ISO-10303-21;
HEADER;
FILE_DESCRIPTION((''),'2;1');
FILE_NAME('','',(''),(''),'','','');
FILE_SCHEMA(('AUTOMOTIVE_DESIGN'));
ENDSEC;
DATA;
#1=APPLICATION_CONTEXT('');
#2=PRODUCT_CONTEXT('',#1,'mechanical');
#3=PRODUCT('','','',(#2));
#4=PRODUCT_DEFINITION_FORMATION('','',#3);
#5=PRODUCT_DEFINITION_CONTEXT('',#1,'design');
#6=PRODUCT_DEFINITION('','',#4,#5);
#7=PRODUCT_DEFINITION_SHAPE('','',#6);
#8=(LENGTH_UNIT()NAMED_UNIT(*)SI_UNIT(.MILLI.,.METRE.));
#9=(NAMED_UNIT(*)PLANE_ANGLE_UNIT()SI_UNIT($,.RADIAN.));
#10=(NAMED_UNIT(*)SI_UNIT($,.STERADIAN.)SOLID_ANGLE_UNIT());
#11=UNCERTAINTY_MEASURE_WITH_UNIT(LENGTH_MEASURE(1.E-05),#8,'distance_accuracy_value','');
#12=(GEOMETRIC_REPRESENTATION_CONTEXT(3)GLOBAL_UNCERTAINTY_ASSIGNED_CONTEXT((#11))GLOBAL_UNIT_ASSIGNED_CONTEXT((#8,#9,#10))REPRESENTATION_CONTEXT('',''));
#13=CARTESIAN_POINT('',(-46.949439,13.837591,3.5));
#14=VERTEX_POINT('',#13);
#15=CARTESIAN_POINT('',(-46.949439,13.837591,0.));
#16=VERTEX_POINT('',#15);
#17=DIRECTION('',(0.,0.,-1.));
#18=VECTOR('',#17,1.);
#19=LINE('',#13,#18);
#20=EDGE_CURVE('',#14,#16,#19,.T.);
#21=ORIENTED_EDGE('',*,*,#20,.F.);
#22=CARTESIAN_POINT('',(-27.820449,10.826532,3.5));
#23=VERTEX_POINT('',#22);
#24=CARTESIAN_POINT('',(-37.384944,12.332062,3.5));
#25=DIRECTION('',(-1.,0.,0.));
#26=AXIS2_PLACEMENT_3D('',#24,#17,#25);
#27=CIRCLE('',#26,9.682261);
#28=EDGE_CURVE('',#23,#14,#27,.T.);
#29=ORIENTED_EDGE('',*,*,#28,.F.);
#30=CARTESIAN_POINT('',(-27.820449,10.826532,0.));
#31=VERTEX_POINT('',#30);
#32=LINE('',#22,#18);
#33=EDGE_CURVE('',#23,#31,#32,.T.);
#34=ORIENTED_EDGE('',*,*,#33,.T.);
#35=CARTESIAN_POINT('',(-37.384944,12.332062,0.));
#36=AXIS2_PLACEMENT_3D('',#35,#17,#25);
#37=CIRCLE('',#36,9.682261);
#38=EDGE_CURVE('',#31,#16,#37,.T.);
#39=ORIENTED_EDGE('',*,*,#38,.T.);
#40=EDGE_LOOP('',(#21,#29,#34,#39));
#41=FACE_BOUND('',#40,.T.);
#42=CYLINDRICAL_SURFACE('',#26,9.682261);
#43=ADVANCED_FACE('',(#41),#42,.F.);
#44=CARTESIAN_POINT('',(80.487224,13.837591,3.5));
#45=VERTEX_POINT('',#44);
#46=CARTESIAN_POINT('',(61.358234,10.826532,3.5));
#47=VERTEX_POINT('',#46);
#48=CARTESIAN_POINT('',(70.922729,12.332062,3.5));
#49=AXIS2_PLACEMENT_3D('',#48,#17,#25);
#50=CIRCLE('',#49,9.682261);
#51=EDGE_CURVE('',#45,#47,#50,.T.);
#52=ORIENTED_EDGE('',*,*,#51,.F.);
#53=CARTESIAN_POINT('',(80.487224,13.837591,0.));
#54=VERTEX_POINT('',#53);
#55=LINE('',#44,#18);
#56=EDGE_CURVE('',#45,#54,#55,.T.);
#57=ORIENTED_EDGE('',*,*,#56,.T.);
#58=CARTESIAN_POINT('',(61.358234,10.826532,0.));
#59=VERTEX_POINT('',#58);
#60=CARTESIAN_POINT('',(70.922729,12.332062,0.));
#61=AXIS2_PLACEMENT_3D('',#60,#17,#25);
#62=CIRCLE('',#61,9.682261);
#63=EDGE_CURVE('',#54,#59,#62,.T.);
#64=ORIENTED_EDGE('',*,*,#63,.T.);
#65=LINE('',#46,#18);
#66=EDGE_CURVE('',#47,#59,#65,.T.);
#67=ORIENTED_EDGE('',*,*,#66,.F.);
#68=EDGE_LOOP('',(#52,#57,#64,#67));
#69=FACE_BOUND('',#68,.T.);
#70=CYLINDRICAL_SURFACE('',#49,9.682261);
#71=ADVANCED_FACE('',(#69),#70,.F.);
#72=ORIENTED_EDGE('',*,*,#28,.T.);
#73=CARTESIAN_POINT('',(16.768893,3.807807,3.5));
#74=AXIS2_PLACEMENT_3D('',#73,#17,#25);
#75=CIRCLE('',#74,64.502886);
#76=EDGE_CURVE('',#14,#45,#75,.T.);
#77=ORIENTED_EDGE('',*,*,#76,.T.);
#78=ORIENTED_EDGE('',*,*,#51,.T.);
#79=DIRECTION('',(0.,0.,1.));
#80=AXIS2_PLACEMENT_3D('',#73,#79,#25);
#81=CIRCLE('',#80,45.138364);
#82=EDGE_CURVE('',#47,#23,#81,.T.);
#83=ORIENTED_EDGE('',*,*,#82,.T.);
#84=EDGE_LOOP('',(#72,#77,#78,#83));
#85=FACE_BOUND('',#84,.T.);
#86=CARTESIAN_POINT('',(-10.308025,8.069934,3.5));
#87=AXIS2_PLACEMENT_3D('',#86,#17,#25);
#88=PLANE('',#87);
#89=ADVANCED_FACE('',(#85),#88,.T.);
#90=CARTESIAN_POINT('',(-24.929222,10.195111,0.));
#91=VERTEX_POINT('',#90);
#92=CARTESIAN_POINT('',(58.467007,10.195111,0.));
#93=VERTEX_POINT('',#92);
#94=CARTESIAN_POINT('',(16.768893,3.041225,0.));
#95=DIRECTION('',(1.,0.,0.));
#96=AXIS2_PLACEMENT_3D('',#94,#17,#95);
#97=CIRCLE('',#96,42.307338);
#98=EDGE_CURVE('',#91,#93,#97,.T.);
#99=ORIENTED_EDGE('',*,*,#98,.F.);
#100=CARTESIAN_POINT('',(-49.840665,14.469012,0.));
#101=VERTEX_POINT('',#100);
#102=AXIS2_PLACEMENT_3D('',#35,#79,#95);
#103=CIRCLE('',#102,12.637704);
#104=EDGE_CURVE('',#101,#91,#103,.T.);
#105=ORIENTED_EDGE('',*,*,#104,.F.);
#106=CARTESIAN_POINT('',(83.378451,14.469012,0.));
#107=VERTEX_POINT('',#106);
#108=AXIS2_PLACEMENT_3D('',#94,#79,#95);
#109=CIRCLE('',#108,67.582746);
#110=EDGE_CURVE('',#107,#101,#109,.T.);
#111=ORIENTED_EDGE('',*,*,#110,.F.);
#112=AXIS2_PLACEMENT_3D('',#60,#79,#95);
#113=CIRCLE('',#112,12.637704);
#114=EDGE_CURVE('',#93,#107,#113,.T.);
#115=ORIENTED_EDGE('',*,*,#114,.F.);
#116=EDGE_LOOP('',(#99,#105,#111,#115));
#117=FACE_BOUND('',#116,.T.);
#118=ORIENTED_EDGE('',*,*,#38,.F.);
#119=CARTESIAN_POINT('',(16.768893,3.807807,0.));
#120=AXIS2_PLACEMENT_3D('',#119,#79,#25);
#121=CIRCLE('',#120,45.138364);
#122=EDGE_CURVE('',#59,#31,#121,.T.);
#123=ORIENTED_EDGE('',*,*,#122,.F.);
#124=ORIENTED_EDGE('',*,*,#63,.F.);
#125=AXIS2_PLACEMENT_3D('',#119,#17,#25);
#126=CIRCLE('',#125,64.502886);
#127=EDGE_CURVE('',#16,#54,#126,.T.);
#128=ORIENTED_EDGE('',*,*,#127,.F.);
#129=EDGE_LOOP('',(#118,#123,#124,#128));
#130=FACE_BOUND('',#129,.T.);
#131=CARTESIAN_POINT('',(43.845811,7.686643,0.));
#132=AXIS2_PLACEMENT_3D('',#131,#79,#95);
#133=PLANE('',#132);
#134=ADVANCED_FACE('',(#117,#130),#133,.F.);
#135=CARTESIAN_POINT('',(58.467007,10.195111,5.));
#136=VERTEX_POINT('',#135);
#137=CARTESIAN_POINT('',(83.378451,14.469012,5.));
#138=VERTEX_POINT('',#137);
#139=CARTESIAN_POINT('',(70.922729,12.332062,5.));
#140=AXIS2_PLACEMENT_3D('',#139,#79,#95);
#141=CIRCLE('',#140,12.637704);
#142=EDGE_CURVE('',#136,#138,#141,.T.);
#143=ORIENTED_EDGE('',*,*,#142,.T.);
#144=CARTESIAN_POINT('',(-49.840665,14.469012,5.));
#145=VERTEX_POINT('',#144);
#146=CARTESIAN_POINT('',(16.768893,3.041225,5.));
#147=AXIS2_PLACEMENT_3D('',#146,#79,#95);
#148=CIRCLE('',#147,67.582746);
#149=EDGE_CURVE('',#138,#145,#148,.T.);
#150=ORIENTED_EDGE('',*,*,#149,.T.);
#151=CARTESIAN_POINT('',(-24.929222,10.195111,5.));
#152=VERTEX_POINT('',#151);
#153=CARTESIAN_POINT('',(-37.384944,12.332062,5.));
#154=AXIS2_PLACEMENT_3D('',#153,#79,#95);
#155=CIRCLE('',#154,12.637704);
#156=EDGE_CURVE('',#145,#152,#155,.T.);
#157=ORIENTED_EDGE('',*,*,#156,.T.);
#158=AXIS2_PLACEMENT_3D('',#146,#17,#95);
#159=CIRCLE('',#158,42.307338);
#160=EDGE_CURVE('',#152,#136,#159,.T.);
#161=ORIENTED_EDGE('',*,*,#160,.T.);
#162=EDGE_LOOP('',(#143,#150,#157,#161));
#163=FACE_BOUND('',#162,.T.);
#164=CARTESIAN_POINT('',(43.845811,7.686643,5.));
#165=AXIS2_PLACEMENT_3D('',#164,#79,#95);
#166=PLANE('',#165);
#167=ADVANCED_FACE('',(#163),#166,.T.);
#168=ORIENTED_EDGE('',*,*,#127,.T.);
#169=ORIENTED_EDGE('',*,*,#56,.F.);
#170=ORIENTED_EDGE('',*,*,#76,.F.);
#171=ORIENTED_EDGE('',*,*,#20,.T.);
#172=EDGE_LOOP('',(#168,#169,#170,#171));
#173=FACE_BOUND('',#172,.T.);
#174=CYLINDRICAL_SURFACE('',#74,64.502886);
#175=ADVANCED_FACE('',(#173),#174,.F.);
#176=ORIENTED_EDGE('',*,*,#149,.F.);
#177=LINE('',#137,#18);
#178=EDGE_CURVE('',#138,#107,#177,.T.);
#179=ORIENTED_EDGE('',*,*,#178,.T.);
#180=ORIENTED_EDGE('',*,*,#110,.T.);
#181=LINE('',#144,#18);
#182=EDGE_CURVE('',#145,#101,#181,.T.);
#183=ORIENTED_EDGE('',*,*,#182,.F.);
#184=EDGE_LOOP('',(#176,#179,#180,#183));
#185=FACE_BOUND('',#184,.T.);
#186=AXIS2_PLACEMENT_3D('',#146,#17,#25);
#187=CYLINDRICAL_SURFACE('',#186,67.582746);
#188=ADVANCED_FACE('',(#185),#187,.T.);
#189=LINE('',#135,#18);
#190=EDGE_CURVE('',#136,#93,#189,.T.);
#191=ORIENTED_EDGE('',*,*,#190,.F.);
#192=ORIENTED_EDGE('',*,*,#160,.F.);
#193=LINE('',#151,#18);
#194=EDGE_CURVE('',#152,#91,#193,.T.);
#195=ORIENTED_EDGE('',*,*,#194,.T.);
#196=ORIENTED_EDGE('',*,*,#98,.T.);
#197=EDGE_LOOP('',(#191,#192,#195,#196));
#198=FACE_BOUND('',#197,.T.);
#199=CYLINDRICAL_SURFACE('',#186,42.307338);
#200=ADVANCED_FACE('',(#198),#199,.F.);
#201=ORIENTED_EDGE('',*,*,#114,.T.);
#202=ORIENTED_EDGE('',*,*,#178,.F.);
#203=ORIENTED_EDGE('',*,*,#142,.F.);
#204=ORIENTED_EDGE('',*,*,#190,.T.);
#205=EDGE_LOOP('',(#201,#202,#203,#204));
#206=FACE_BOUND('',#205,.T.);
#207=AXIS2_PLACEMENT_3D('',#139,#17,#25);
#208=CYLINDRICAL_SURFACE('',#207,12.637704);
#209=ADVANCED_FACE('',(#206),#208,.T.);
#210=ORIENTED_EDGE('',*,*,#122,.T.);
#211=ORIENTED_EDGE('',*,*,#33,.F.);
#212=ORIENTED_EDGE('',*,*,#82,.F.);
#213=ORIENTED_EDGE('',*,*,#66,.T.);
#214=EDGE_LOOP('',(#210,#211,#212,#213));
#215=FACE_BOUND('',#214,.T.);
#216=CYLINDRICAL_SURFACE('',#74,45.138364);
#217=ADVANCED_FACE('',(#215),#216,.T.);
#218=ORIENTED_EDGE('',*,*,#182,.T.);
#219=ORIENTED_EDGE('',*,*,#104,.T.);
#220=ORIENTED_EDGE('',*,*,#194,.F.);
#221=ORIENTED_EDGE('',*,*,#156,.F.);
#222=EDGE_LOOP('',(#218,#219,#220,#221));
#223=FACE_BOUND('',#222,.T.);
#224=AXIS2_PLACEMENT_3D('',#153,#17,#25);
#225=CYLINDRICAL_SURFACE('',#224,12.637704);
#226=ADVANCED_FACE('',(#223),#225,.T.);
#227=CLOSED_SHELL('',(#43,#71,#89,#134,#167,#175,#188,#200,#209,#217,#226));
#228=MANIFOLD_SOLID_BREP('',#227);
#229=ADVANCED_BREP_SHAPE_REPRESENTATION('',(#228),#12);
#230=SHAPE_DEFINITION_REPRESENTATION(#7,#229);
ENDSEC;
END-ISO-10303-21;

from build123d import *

# Parameters (mm, degrees)
BOSS_EXTRUDE1_DEPTH = 5
CUT_EXTRUDE1_DEPTH  = 3.5


with BuildPart() as part:
    # Sketch1 → Boss-Extrude1 (new body)
    with BuildSketch(Plane.XY):
        with BuildLine():
            ThreePointArc((83.37845056, 14.469012335), (16.768892688, 70.623970918), (-49.840665185, 14.469012335))
            ThreePointArc((-49.840665185, 14.469012335), (-39.521894243, -0.123659797), (-24.929222112, 10.195111145))
            ThreePointArc((-24.929222112, 10.195111145), (16.768892688, 45.348563357), (58.467007487, 10.195111145))
            ThreePointArc((58.467007487, 10.195111145), (73.059679618, -0.123659797), (83.37845056, 14.469012335))
        make_face()
    extrude(amount=BOSS_EXTRUDE1_DEPTH)

    # Sketch2 → Cut-Extrude1 (cut)
    with BuildSketch(Plane(origin=(0, 0, 0), x_dir=(-1, 0, 0), z_dir=(0, 0, -1))):
        with BuildLine():
            ThreePointArc((46.94943865, 13.837591132), (-16.768892688, 68.310693084), (-80.487224025, 13.837591132))
            ThreePointArc((-80.487224025, 13.837591132), (-72.428258415, 2.767566738), (-61.358234021, 10.826532348))
            ThreePointArc((-61.358234021, 10.826532348), (-16.768892688, 48.946170535), (27.820448646, 10.826532348))
            ThreePointArc((27.820448646, 10.826532348), (38.89047304, 2.767566738), (46.94943865, 13.837591132))
        make_face()
    extrude(amount=-CUT_EXTRUDE1_DEPTH, mode=Mode.SUBTRACT)


solid = part.part
